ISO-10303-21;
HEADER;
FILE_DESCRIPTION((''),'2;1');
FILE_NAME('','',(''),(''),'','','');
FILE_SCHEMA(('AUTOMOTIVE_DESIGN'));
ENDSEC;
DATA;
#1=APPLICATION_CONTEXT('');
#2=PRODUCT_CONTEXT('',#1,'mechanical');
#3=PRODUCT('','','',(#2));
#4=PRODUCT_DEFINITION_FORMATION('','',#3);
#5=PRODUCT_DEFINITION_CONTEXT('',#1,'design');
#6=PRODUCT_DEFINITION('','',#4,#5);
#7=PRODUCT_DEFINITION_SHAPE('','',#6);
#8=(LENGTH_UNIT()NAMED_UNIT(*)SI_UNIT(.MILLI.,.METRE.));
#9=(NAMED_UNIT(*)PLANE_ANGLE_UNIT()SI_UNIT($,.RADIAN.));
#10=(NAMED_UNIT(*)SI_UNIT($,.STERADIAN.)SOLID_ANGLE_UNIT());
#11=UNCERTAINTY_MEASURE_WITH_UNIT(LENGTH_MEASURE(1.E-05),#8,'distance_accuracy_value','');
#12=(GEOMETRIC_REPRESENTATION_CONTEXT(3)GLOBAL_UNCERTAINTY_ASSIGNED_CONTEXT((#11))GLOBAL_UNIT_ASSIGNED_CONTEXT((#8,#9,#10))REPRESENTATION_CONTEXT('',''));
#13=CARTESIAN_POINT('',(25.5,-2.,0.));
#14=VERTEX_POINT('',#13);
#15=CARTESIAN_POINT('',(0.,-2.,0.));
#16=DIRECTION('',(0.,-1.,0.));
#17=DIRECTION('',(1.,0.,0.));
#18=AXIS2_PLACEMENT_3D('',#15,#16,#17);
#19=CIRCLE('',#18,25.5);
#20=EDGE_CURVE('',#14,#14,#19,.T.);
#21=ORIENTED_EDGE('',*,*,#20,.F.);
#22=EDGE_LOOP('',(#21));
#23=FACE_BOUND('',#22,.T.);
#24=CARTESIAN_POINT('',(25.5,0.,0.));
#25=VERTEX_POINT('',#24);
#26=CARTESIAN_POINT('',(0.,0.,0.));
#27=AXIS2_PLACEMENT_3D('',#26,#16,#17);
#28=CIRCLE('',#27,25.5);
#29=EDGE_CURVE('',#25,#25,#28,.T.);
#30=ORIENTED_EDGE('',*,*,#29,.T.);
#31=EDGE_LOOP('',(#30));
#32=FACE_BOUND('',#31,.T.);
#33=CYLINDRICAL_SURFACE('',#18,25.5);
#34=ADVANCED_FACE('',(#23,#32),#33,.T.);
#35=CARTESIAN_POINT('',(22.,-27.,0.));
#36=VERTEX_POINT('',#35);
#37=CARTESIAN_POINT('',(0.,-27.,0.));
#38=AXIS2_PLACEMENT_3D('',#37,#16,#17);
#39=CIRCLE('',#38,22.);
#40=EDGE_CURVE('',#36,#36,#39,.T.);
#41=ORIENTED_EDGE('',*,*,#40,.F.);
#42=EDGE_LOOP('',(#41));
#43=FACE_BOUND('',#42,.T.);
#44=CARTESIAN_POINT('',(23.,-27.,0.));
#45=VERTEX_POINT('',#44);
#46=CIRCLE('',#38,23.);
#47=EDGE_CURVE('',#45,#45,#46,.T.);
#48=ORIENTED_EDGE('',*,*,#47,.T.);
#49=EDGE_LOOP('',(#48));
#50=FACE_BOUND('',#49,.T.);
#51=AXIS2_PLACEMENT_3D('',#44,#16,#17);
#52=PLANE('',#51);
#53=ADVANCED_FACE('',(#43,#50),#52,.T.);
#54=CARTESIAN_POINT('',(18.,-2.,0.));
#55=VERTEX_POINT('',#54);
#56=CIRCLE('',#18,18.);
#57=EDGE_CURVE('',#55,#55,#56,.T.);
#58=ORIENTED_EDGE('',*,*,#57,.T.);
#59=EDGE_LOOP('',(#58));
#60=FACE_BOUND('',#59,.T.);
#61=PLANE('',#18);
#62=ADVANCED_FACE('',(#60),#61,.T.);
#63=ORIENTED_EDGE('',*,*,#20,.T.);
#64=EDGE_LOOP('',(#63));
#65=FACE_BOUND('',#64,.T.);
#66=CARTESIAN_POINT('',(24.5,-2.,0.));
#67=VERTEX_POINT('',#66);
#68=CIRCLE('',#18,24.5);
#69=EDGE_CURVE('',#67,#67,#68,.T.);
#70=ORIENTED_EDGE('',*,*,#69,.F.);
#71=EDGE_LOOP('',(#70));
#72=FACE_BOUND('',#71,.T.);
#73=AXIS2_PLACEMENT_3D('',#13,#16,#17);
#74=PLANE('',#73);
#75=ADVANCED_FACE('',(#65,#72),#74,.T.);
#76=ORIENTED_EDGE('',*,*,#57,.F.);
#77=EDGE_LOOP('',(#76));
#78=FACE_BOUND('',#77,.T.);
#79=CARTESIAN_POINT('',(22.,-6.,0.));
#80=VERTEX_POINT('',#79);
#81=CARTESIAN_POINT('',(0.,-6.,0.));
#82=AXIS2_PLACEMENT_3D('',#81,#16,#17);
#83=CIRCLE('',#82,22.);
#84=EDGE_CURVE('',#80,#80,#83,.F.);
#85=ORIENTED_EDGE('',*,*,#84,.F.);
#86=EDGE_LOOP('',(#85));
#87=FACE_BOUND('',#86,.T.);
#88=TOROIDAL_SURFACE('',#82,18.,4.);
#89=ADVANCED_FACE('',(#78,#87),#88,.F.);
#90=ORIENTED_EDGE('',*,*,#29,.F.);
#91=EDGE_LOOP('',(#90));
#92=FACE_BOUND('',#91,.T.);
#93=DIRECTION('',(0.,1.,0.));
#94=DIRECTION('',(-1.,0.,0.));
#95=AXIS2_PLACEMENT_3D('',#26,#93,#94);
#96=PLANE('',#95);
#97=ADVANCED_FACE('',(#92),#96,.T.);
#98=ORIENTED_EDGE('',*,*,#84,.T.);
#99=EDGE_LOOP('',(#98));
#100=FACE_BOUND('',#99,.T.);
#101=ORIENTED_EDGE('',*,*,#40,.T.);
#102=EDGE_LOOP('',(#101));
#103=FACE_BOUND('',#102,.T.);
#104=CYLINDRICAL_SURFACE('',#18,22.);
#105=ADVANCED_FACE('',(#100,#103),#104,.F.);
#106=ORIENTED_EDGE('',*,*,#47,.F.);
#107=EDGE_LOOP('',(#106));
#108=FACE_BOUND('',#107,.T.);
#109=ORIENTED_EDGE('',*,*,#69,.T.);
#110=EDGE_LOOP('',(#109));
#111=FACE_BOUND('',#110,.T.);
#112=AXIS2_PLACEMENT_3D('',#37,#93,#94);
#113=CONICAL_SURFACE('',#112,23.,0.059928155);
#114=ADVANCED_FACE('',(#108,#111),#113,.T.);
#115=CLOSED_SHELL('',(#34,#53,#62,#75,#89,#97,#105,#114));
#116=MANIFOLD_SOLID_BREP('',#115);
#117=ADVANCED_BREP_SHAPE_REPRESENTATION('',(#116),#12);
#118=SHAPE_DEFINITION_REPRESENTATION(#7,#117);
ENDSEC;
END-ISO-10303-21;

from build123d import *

# Parameters (mm, degrees)
FILLET1_R = 4


with BuildPart() as part:
    # Sketch2 → Revolve3 (revolve)
    with BuildSketch(Plane.XY):
        Polygon((22, -27), (22, -2), (0, -2), (0, 0), (25.5, 0), (25.5, -2), (24.5, -2), (23, -27), align=None)
    revolve(axis=Axis((0, -2, 0), (0, 1, 0)))

    # Fillet1
    fillet1_edges = [part.edges().sort_by_distance(p)[0] for p in [
        (-22, -2, 0),
    ]]
    fillet(fillet1_edges, radius=FILLET1_R)


solid = part.part
